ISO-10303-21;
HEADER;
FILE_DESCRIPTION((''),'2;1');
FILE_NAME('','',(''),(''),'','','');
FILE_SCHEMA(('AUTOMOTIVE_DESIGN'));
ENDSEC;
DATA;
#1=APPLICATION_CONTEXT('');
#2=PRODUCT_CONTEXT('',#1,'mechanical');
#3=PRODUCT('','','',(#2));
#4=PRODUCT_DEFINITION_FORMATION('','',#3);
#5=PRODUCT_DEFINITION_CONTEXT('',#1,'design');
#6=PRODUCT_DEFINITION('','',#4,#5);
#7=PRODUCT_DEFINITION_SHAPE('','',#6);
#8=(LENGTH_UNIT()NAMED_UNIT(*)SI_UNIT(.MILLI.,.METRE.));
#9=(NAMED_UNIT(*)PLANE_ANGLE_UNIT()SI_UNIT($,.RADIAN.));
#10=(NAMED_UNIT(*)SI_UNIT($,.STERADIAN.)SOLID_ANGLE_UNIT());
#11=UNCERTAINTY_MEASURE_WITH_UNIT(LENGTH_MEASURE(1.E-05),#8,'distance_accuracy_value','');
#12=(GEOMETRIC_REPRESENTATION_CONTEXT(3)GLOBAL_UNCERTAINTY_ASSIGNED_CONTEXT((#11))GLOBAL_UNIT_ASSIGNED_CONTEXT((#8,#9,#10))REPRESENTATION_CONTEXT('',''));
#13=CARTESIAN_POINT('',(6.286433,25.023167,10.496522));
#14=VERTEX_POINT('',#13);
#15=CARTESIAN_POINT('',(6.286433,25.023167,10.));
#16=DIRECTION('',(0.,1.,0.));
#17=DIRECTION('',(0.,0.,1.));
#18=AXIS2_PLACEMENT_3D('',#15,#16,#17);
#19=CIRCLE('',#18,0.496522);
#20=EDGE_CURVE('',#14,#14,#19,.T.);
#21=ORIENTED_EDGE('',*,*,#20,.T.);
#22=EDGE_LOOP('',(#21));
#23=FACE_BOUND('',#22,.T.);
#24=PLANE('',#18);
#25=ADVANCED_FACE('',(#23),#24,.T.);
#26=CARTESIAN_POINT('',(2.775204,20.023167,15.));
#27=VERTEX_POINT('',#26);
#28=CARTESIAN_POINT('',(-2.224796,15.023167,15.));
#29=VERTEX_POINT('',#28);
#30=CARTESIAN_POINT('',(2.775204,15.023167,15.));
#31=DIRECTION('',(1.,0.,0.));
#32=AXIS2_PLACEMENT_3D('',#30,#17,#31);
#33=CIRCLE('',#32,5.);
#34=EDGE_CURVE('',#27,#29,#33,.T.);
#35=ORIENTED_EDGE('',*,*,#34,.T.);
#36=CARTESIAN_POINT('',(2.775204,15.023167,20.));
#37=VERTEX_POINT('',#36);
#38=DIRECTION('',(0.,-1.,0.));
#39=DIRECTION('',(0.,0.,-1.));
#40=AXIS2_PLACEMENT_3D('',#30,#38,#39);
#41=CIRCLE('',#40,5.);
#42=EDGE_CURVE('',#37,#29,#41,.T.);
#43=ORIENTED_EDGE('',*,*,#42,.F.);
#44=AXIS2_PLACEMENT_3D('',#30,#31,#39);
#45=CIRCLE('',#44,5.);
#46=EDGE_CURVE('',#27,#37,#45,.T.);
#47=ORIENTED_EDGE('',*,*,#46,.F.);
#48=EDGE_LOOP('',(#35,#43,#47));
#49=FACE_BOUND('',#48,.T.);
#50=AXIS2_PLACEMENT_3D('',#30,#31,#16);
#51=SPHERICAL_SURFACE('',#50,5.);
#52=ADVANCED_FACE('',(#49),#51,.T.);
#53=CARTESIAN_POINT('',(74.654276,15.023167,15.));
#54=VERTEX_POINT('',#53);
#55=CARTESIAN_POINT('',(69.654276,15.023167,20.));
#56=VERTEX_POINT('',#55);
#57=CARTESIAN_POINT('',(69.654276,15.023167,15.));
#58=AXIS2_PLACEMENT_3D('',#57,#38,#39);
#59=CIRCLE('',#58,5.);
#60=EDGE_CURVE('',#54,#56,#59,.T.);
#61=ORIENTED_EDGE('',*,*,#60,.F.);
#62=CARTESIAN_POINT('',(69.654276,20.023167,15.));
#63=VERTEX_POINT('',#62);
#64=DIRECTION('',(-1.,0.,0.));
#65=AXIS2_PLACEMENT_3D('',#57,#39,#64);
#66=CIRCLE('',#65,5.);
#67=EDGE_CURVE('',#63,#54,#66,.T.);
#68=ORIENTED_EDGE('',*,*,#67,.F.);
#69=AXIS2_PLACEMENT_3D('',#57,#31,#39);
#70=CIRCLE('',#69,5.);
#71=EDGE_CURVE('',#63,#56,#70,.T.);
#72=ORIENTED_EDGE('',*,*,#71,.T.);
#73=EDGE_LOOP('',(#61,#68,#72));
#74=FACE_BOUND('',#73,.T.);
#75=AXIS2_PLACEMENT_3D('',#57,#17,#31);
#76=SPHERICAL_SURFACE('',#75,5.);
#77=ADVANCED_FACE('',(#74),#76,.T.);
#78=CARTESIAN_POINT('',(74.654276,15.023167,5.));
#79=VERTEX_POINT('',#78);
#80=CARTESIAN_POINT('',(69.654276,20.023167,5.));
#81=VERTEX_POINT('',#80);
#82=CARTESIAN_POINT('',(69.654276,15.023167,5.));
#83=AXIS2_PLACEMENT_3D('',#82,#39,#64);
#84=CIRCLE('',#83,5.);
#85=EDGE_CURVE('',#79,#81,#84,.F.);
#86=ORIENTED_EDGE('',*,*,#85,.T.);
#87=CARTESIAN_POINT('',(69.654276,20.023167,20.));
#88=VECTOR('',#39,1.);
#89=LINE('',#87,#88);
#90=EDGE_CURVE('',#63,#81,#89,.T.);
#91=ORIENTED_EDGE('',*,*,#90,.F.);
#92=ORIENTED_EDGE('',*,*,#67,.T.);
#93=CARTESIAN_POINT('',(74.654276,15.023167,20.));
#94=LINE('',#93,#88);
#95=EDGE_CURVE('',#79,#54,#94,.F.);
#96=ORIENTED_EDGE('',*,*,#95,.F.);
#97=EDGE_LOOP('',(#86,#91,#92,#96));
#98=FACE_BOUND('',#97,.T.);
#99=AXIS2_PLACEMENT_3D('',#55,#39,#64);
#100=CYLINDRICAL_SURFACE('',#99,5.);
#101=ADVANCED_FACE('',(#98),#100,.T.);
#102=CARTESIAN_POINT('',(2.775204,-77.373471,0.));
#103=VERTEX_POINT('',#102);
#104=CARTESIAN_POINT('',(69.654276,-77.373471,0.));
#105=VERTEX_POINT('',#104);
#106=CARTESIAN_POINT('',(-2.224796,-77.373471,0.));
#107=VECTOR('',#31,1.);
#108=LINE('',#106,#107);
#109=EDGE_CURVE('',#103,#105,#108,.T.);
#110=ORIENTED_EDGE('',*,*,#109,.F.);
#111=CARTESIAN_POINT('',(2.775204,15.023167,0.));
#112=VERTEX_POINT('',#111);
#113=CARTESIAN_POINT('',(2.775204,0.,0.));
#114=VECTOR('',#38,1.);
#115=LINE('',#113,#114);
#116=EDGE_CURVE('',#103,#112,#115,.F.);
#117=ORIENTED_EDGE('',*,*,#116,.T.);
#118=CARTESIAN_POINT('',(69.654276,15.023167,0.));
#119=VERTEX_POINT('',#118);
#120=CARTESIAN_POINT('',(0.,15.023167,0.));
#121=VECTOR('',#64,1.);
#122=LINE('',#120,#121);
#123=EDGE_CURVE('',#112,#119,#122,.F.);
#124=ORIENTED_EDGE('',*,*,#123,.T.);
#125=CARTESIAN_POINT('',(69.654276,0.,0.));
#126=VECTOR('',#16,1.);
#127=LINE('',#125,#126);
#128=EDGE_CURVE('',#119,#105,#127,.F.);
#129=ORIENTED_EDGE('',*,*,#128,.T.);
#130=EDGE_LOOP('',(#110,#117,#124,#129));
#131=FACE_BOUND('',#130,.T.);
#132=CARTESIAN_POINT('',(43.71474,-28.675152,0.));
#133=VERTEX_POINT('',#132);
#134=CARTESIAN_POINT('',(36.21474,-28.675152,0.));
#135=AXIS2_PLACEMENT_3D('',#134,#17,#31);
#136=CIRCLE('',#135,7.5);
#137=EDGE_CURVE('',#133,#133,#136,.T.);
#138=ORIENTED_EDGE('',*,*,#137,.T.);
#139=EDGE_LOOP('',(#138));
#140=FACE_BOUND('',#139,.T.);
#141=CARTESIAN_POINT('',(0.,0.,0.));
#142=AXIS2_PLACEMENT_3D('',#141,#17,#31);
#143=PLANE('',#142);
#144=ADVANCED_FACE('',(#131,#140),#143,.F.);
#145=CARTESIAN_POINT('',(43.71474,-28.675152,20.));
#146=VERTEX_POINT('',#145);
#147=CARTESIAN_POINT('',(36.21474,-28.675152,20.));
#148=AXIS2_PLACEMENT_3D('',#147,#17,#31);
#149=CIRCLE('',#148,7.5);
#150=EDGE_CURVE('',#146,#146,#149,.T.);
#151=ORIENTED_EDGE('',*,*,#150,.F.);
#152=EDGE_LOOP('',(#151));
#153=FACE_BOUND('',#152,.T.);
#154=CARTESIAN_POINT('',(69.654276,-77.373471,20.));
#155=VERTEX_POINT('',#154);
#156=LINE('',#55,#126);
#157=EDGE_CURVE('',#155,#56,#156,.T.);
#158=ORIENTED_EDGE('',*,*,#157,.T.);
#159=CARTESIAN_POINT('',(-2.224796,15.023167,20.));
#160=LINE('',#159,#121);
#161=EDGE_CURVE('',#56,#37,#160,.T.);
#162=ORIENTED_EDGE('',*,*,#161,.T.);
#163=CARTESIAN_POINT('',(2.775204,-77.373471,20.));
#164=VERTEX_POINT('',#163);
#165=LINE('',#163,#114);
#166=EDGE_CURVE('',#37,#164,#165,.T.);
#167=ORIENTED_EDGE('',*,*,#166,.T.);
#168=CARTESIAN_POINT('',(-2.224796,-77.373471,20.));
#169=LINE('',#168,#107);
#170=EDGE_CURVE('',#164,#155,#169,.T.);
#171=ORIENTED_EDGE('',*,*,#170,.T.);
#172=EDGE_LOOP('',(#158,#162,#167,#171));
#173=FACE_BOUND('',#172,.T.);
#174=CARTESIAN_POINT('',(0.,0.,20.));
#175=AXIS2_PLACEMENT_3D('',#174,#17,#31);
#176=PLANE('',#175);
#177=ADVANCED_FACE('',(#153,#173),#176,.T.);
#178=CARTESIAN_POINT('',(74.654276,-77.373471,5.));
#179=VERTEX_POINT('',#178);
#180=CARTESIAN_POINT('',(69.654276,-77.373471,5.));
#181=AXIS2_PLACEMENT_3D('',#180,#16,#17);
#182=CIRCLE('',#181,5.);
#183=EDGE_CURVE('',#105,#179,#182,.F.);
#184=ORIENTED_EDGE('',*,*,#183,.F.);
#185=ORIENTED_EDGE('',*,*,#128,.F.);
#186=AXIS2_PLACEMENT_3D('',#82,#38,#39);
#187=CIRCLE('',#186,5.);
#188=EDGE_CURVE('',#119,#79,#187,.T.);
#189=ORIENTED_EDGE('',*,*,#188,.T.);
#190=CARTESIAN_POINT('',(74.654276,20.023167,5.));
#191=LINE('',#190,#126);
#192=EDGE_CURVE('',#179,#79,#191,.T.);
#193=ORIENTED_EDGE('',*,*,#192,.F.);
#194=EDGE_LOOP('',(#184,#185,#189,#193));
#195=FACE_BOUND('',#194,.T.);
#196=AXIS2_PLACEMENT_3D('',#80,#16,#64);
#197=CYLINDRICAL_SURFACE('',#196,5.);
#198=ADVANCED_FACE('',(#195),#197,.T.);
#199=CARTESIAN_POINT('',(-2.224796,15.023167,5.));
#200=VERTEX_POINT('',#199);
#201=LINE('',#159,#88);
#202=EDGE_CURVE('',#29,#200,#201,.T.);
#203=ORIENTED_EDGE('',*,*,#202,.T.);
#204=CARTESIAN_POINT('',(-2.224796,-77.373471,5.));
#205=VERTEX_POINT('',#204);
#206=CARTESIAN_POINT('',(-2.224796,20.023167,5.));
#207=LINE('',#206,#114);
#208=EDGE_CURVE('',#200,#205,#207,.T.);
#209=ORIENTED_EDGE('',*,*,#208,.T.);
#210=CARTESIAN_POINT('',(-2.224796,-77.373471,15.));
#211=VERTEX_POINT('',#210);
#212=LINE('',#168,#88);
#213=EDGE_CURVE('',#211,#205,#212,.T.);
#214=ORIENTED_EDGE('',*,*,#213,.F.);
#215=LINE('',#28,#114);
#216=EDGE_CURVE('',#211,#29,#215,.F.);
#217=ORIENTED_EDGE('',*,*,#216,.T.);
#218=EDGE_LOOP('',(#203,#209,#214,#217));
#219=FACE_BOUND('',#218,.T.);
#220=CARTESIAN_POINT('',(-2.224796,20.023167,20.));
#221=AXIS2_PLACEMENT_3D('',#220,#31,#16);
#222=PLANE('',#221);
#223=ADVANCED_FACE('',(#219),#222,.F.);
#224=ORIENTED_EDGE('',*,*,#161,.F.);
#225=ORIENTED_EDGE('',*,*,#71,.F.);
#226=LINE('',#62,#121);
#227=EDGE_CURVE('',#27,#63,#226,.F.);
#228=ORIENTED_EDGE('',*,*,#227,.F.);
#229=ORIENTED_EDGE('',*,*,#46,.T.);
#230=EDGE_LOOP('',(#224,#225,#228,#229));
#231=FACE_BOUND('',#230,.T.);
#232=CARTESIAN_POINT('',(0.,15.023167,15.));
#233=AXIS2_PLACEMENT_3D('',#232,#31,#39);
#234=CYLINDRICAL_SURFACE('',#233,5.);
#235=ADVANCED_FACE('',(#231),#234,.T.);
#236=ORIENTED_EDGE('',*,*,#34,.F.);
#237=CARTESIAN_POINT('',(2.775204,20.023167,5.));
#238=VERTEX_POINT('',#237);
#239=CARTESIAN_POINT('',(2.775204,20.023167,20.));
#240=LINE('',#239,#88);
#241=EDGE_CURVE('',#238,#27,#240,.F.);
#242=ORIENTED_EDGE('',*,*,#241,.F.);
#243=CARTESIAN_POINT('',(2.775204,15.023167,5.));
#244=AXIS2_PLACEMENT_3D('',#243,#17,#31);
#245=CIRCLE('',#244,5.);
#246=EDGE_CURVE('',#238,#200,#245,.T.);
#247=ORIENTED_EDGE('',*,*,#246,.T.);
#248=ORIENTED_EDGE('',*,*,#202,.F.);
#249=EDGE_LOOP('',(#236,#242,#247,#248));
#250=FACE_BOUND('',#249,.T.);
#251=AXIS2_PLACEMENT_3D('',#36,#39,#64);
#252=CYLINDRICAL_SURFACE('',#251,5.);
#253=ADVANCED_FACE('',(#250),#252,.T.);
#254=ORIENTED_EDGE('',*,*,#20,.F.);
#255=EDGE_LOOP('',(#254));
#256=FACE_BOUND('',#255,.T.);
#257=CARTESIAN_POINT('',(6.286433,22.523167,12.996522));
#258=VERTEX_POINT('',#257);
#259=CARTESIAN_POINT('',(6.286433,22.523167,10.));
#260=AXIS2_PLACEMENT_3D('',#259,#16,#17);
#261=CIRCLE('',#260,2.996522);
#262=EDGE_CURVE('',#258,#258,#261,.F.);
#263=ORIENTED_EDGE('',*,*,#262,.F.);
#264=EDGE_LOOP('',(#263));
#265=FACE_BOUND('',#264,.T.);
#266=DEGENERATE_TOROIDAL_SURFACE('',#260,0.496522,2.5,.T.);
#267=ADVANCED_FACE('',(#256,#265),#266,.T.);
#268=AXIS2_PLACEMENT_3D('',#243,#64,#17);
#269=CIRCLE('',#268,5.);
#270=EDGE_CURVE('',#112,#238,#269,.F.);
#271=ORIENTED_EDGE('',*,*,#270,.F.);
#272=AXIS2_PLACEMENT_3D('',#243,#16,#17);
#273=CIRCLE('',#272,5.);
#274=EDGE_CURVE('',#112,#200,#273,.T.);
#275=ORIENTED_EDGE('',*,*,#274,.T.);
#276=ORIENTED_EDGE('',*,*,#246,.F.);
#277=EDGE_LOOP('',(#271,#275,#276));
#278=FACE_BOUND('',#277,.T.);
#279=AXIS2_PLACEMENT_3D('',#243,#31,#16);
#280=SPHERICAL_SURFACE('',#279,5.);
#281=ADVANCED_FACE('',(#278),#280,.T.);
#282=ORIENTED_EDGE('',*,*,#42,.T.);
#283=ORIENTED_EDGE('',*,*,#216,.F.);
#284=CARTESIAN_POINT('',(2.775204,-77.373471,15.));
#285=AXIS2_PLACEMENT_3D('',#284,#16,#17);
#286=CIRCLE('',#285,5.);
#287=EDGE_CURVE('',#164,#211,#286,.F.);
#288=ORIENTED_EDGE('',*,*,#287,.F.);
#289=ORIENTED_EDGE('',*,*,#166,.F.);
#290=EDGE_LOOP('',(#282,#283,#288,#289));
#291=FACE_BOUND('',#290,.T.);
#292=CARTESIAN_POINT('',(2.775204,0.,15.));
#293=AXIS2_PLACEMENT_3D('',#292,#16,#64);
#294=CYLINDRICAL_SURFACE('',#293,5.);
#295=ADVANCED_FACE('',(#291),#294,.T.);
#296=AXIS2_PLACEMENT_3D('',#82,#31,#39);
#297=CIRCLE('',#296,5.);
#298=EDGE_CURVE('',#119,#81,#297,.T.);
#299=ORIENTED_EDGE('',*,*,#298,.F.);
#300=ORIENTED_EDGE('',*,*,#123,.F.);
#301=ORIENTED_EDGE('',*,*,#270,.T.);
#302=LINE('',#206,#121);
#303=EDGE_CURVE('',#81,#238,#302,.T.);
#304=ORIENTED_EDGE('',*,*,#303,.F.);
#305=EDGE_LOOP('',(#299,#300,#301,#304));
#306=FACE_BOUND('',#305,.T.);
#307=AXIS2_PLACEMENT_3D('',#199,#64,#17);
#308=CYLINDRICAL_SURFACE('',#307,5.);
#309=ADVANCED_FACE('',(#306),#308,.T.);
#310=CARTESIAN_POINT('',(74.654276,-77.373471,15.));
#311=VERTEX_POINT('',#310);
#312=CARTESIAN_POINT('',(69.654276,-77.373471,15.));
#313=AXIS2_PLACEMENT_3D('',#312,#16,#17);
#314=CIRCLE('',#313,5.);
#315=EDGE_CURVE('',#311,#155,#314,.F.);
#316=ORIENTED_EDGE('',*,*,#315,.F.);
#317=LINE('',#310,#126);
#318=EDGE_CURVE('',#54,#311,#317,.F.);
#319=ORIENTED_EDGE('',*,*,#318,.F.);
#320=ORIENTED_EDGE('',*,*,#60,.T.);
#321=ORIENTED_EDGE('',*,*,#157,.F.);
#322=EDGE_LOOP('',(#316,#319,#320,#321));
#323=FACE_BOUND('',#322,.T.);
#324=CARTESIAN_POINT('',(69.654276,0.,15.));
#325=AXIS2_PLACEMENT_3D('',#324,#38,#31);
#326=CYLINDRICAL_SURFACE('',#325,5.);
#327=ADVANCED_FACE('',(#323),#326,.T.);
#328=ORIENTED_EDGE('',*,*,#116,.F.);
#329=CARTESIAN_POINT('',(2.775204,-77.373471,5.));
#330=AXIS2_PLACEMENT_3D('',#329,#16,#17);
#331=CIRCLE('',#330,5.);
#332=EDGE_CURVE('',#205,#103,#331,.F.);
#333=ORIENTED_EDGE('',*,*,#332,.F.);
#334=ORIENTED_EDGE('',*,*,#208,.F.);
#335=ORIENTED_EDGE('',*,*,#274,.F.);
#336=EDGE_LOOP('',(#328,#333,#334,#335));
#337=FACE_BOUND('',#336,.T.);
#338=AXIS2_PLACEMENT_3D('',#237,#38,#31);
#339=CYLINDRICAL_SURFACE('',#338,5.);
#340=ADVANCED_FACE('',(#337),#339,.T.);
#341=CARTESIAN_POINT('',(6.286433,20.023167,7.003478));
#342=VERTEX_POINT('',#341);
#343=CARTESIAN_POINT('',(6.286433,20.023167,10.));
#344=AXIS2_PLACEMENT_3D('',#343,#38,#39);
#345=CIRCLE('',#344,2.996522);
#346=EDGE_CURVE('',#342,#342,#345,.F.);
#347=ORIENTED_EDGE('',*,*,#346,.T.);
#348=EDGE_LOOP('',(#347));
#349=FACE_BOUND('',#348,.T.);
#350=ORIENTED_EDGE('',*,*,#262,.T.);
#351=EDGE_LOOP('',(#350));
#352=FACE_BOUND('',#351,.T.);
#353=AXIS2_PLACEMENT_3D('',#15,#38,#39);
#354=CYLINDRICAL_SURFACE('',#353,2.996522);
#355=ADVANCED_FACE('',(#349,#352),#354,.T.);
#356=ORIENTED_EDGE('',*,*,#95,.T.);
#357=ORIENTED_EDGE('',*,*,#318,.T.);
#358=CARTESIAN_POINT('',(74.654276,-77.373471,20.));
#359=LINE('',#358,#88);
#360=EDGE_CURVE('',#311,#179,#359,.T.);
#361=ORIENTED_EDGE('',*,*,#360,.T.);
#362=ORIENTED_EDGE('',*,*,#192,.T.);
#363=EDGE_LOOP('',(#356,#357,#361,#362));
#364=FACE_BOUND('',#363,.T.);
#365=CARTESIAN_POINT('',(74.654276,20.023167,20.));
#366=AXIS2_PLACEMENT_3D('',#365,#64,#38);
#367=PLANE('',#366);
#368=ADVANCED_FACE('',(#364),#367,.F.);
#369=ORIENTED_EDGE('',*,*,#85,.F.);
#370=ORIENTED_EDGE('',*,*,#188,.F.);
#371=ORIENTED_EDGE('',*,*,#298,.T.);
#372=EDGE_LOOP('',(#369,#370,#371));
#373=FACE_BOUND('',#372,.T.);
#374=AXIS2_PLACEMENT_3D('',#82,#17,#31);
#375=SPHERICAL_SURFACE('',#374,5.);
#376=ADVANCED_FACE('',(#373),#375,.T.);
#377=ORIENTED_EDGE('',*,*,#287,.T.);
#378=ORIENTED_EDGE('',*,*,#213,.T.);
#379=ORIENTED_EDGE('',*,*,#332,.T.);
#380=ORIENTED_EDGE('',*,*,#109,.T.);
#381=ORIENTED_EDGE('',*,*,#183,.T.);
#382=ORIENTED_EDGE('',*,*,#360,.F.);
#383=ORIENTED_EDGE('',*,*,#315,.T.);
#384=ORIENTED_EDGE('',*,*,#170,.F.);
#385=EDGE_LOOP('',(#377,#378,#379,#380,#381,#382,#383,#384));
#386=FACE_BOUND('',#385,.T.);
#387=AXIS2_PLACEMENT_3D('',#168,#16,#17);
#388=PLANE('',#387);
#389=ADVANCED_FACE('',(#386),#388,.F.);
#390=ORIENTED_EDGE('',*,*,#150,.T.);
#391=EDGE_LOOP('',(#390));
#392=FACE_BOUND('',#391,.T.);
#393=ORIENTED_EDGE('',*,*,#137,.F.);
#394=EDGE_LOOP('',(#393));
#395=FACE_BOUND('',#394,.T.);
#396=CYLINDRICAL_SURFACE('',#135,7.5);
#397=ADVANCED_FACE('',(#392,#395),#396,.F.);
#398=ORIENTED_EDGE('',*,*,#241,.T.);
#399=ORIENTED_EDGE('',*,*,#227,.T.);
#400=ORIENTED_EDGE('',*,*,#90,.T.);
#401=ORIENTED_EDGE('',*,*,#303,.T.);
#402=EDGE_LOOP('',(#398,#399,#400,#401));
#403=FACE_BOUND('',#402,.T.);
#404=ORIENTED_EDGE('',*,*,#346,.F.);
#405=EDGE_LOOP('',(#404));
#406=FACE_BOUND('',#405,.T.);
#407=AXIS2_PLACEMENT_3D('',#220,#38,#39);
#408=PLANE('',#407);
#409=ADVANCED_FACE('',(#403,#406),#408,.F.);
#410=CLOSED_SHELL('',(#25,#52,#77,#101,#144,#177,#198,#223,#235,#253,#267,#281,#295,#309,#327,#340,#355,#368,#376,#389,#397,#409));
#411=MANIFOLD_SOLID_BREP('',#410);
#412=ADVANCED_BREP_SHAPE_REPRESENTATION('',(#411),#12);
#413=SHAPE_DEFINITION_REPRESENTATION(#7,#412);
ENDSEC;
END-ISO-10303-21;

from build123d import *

# Parameters (mm, degrees)
SKETCH1_W           = 76.879071809
SKETCH1_H           = 97.396637597
BOSS_EXTRUDE1_DEPTH = 20
SKETCH2_R           = 7.5
CUT_EXTRUDE1_DEPTH  = 20
FILLET2_R           = 5
FILLET3_R           = 5
FILLET4_R           = 5
FILLET5_R           = 5
SKETCH3_R           = 2.996522069
BOSS_EXTRUDE2_DEPTH = 5
FILLET7_R           = 2.5


with BuildPart() as part:
    # Sketch1 → Boss-Extrude1 (new body)
    with BuildSketch(Plane.XY):
        with Locations((36.214739615, -28.675152186)):
            Rectangle(SKETCH1_W, SKETCH1_H)
    extrude(amount=BOSS_EXTRUDE1_DEPTH)

    # Sketch2 → Cut-Extrude1 (cut)
    with BuildSketch(Plane.XY.offset(20)):
        with Locations((36.214739614, -28.675152186)):
            Circle(SKETCH2_R)
    extrude(amount=-CUT_EXTRUDE1_DEPTH, mode=Mode.SUBTRACT)

    # Fillet2
    fillet2_edges = [part.edges().sort_by_distance(p)[0] for p in [
        (74.654275519, 20.023166613, 10),
    ]]
    fillet(fillet2_edges, radius=FILLET2_R)

    # Fillet3
    fillet3_edges = [part.edges().sort_by_distance(p)[0] for p in [
        (74.654275519, -31.175152186, 20),
        (33.714739614, 20.023166613, 20),
        (73.189809425, 18.558700519, 20),
    ]]
    fillet(fillet3_edges, radius=FILLET3_R)

    # Fillet4
    fillet4_edges = [part.edges().sort_by_distance(p)[0] for p in [
        (33.714739614, 20.023166613, 0),
        (73.189809425, 18.558700519, 0),
        (74.654275519, -31.175152186, 0),
    ]]
    fillet(fillet4_edges, radius=FILLET4_R)

    # Fillet5
    fillet5_edges = [part.edges().sort_by_distance(p)[0] for p in [
        (-2.22479629, -31.175152186, 20),
        (-2.22479629, 20.023166613, 10),
        (-2.22479629, 18.558700519, 18.535533906),
        (-2.22479629, -31.175152186, 0),
        (-2.22479629, 18.558700519, 1.464466094),
    ]]
    fillet(fillet5_edges, radius=FILLET5_R)

    # Sketch3 → Boss-Extrude2 (add)
    with BuildSketch(Plane(origin=(0, 20.023166613, 0), x_dir=(1, 0, 0), z_dir=(0, 1, 0))):
        with Locations(Location((6.286432744, -10, 0), (0, 0, 90))):
            Circle(SKETCH3_R)
    extrude(amount=BOSS_EXTRUDE2_DEPTH)

    # Fillet7
    fillet7_edges = [part.edges().sort_by_distance(p)[0] for p in [
        (6.286432744, 25.023166613, 12.996522069),
    ]]
    fillet(fillet7_edges, radius=FILLET7_R)


solid = part.part
